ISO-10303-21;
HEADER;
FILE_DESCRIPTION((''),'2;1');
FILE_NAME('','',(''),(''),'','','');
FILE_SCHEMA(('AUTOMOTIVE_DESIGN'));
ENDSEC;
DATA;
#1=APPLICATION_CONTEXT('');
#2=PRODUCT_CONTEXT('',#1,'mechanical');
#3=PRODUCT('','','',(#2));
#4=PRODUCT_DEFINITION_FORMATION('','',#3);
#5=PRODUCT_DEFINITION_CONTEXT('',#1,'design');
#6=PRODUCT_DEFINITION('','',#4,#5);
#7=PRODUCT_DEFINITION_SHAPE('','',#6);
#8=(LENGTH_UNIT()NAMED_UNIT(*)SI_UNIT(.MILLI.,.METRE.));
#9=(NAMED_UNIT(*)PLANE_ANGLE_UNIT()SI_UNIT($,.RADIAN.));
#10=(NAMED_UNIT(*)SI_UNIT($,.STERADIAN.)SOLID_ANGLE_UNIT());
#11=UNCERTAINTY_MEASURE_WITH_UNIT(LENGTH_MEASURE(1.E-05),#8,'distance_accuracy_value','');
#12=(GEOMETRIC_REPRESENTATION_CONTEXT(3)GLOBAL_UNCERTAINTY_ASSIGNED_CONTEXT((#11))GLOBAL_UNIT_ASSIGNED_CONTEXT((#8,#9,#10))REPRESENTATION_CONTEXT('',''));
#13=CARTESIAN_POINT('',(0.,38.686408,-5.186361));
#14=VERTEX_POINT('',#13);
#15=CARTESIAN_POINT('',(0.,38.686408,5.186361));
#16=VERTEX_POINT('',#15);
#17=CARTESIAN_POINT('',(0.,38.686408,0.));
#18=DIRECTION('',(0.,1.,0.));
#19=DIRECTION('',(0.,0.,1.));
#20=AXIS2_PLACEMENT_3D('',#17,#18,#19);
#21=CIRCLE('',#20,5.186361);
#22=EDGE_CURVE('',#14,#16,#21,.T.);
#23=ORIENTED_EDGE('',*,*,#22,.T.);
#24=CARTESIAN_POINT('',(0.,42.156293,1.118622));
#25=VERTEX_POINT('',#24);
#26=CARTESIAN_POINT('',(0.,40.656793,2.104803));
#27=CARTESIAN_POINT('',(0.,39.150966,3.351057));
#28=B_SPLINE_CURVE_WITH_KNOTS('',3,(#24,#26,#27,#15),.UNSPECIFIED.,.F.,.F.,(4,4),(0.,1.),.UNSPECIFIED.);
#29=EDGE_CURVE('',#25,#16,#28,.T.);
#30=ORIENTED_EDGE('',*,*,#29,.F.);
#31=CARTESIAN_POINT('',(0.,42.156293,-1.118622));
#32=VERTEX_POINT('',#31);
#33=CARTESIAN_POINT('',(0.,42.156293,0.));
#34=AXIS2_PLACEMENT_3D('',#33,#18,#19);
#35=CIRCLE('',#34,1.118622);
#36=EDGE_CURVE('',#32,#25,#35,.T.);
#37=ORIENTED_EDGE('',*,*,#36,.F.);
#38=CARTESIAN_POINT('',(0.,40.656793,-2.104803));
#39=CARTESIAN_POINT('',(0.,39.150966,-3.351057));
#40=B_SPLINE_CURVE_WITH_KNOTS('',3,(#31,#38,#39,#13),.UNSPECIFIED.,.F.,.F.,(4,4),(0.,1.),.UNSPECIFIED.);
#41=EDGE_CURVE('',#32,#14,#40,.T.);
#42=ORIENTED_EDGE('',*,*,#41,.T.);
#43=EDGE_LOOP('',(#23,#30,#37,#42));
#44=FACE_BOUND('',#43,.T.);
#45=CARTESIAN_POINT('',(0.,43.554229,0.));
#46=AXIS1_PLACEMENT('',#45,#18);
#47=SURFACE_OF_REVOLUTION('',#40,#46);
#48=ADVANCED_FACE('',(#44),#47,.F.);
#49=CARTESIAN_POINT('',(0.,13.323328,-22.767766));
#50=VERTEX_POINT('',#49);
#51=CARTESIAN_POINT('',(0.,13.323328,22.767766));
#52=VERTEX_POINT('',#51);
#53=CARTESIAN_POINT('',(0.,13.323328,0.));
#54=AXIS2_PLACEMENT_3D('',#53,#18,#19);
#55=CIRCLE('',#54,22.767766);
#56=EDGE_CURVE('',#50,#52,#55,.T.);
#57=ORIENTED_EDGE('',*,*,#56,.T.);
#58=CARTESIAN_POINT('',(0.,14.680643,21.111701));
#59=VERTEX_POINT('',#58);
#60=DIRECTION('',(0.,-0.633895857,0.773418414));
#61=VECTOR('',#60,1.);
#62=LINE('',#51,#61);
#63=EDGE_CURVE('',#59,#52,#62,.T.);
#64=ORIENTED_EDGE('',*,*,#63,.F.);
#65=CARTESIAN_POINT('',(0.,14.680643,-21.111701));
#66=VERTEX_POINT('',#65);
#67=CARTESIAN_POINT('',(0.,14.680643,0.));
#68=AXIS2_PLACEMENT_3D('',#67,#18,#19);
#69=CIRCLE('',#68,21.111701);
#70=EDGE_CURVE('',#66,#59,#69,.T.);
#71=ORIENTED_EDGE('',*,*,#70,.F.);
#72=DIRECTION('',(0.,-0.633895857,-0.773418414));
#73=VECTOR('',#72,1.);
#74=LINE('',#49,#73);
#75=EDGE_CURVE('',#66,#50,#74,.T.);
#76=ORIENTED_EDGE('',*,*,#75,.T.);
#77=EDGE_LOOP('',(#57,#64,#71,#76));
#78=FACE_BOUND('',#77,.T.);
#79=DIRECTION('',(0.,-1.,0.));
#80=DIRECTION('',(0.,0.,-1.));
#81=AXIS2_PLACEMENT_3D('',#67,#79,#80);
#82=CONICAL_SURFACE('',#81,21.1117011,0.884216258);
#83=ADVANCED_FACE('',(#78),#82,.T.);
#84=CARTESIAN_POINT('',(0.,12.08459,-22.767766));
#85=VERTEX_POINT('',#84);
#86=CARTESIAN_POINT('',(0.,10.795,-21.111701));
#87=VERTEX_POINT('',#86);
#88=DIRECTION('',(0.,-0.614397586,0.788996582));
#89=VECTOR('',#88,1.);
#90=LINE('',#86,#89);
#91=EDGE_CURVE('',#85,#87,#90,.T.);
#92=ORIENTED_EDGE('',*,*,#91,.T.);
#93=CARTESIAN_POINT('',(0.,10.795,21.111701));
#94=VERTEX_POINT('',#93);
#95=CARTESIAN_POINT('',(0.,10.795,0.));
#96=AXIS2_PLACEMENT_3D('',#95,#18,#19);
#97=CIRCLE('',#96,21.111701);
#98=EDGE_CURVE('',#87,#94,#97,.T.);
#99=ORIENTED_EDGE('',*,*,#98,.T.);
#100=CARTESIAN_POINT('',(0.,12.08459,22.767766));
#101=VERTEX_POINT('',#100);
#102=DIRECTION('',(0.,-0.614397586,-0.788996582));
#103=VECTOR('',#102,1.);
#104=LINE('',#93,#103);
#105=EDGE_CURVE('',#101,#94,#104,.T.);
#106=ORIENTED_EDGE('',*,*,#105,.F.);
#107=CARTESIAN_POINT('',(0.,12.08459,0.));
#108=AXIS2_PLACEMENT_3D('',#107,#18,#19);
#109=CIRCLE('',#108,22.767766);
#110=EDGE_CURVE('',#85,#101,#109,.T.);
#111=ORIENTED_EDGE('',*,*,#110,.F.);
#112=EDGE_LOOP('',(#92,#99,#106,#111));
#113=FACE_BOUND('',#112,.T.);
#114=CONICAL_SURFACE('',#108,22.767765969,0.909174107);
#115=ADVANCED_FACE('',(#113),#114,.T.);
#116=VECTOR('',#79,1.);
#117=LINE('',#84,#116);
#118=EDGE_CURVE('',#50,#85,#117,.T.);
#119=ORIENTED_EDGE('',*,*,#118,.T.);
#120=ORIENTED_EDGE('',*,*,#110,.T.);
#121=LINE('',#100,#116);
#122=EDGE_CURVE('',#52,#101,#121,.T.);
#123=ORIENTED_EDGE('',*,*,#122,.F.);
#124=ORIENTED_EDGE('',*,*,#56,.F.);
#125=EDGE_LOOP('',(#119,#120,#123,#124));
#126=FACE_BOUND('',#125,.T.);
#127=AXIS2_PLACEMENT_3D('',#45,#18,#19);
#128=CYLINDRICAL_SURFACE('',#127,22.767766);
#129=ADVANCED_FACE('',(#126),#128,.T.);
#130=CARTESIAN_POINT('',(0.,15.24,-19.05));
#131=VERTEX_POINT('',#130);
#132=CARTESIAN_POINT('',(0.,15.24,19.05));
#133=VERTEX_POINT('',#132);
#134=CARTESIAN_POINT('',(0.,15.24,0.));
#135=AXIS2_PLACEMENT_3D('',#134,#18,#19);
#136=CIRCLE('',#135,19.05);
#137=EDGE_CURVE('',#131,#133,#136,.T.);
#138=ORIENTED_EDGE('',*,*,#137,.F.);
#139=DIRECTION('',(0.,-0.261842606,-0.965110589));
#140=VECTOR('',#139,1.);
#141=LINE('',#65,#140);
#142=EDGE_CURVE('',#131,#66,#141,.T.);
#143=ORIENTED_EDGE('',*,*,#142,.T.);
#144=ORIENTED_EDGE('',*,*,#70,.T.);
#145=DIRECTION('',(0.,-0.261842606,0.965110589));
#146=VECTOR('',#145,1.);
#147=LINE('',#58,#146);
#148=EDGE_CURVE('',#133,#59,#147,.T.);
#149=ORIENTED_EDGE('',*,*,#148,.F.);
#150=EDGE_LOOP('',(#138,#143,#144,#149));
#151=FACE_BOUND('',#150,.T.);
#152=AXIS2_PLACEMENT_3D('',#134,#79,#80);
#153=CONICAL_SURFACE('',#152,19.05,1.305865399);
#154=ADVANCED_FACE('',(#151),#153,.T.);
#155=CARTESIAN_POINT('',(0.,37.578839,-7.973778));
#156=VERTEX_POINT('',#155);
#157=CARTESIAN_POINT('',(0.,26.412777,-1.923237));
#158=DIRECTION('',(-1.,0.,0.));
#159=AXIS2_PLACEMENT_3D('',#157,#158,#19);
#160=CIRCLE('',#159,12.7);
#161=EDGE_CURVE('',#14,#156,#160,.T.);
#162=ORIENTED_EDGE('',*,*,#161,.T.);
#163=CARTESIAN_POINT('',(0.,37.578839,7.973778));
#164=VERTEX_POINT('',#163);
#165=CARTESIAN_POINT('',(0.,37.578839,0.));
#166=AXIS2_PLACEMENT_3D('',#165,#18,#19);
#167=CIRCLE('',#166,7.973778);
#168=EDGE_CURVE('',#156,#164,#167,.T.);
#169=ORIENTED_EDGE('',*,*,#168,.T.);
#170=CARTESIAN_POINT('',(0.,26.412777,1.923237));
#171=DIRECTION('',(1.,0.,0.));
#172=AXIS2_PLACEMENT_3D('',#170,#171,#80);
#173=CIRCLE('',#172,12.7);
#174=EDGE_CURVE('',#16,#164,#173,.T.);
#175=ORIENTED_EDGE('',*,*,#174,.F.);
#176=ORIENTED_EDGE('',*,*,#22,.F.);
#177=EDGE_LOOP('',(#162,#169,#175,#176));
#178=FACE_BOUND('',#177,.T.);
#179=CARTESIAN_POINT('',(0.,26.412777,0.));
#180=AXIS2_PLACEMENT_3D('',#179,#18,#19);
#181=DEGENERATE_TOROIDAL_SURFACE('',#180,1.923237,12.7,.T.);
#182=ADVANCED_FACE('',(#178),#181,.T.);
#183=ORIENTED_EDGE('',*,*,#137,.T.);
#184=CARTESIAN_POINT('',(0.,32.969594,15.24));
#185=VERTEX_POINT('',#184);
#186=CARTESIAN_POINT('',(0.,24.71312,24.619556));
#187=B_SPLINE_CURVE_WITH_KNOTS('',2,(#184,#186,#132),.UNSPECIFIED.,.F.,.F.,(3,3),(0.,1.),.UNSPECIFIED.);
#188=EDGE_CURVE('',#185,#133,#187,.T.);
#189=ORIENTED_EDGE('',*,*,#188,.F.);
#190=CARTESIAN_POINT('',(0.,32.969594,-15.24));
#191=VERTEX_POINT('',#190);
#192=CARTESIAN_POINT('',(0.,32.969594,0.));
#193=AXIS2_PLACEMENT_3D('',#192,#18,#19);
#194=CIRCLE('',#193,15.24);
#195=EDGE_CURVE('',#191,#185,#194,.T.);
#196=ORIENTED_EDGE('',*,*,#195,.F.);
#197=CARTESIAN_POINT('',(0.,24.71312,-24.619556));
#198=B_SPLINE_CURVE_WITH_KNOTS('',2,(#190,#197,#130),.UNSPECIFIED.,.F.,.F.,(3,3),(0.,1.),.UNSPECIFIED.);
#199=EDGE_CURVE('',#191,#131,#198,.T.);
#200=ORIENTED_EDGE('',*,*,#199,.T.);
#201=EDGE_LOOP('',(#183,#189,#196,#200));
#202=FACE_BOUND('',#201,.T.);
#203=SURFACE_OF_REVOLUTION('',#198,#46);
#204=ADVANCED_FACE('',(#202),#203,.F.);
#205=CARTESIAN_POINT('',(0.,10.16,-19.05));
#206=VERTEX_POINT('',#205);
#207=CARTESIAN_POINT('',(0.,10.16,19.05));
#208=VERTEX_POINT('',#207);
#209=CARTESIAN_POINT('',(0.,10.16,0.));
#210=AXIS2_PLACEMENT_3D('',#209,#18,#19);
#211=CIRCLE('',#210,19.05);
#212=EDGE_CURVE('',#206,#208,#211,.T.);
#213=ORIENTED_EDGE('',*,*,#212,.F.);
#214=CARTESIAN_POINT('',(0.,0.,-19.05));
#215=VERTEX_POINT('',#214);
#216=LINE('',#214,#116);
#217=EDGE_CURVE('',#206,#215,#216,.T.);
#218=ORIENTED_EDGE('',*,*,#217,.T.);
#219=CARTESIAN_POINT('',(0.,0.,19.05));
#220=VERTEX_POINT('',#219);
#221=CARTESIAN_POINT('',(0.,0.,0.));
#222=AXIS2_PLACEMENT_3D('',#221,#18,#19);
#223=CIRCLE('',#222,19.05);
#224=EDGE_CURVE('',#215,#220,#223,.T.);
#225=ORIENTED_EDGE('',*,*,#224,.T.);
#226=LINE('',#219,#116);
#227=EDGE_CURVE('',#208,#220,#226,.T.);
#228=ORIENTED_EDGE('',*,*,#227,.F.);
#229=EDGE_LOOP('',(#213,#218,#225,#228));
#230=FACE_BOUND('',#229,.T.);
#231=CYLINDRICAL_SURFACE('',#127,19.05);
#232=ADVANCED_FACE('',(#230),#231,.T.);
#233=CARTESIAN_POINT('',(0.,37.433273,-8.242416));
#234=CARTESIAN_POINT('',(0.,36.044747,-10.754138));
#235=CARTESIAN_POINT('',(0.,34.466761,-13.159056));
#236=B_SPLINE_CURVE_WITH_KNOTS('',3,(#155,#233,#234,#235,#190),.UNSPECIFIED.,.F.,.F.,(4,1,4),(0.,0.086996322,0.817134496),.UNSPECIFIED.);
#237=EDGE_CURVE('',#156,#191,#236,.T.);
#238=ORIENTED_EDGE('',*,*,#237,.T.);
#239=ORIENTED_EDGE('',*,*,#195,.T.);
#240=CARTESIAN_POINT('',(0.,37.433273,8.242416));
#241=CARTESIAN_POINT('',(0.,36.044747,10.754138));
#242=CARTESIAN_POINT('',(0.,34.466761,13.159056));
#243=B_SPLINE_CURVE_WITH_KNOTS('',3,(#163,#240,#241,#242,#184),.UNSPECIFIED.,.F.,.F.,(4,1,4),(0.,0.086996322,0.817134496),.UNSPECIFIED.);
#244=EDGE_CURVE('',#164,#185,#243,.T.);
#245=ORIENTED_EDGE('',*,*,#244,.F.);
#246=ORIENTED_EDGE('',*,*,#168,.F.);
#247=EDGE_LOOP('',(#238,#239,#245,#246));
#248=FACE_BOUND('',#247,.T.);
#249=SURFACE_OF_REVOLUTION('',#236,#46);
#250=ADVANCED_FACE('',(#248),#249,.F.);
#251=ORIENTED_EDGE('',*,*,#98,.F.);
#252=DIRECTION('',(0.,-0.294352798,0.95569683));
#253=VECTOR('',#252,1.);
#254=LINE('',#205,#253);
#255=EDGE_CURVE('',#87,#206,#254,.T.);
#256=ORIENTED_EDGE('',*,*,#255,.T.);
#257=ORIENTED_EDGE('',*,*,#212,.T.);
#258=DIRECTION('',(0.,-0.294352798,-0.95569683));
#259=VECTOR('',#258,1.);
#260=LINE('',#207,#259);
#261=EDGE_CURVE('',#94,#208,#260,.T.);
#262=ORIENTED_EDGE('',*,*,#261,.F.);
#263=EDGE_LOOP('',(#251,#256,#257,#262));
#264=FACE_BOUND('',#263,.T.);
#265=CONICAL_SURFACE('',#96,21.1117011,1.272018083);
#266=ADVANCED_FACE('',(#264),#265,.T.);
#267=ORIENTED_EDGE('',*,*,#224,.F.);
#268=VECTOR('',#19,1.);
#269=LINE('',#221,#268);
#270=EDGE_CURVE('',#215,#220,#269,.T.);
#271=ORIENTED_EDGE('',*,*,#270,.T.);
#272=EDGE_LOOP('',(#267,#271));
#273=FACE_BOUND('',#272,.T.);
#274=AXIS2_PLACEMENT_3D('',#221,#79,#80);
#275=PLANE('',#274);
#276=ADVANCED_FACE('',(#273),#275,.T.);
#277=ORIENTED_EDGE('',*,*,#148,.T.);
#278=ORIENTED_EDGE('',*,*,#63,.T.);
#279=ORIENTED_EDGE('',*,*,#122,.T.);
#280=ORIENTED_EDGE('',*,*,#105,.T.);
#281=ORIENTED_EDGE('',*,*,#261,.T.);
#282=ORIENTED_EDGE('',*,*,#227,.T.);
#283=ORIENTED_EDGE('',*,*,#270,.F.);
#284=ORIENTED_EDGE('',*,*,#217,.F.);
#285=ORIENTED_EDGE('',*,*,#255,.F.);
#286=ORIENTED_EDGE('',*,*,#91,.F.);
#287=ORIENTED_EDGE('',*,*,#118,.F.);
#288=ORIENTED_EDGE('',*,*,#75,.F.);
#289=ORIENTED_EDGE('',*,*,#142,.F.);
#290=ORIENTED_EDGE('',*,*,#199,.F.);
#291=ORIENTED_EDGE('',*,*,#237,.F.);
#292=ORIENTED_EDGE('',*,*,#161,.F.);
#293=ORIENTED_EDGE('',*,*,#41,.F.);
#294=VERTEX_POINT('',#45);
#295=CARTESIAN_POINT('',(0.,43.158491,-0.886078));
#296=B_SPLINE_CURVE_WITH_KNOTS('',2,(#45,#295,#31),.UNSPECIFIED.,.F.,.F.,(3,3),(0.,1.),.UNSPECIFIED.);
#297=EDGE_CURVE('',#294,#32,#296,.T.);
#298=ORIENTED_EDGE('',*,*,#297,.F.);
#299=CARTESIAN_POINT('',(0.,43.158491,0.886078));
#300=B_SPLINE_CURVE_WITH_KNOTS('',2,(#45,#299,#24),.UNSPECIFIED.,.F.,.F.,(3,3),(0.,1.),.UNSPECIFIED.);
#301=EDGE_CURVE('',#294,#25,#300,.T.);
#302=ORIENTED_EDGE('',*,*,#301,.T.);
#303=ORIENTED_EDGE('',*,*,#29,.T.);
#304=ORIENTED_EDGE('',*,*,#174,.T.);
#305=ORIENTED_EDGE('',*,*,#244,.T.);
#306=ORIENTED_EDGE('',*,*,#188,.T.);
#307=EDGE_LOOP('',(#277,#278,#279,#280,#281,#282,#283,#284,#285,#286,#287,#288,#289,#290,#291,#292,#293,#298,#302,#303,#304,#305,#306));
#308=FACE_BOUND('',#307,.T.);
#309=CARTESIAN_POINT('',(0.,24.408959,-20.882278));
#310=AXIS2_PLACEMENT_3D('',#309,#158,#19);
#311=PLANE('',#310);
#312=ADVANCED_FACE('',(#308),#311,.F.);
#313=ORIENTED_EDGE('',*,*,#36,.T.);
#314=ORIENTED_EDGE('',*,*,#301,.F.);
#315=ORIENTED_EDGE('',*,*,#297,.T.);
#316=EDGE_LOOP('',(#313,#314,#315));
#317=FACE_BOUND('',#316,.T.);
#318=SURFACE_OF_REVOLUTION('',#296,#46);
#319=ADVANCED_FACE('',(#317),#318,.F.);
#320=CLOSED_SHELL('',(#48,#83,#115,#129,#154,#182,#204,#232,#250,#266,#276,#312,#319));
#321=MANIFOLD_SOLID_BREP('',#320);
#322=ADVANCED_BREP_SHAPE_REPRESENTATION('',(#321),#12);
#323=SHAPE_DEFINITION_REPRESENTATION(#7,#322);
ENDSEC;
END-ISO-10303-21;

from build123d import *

# Parameters (mm, degrees)
REVOLVE1_ANGLE = 180


with BuildPart() as part:
    # Sketch4 → Revolve1 (revolve)
    with BuildSketch(Plane(origin=(0, 0, 0), x_dir=(0, 0, -1), z_dir=(1, 0, 0))):
        with BuildLine():
            Line((0, 43.554228777), (0, 0))
            Line((0, 0), (-19.05, 0))
            Line((-19.05, 0), (-19.05, 10.16))
            Line((-19.05, 10.16), (-21.1117011, 10.795))
            Line((-21.1117011, 10.795), (-22.767765969, 12.084590197))
            Line((-22.767765969, 12.084590197), (-22.767765969, 13.323327865))
            Line((-22.767765969, 13.323327865), (-21.1117011, 14.680643181))
            Line((-21.1117011, 14.680643181), (-19.05, 15.24))
            add(Edge.make_bspline(
                [(-19.05, 15.24), (-24.619555557, 24.713120096), (-15.24, 32.969594186)],
                knots=[0, 0, 0, 1, 1, 1], degree=2))
            add(Edge.make_bspline(
                [(-15.24, 32.969594186), (-13.159056011, 34.466761199), (-10.754138268, 36.044746883), (-8.242416232, 37.433272674), (-7.973778325, 37.578839171)],
                knots=[0, 0, 0, 0, 0.730138174, 0.817134496, 0.817134496, 0.817134496, 0.817134496], degree=3))
            ThreePointArc((-7.973778325, 37.578839171), (-6.612881823, 38.215201507), (-5.186361227, 38.686407728))
            add(Edge.make_bspline(
                [(-5.186361227, 38.686407728), (-3.351057226, 39.150966228), (-2.104803263, 40.656792731), (-1.118621699, 42.156292635)],
                knots=[0, 0, 0, 0, 1, 1, 1, 1], degree=3))
            add(Edge.make_bspline(
                [(-1.118621699, 42.156292635), (-0.886078473, 43.158491049), (0, 43.554228777)],
                knots=[0, 0, 0, 1, 1, 1], degree=2))
        make_face()
    revolve(axis=Axis((0, 43.554228777, 0), (0, -1, 0)), revolution_arc=REVOLVE1_ANGLE)


solid = part.part
